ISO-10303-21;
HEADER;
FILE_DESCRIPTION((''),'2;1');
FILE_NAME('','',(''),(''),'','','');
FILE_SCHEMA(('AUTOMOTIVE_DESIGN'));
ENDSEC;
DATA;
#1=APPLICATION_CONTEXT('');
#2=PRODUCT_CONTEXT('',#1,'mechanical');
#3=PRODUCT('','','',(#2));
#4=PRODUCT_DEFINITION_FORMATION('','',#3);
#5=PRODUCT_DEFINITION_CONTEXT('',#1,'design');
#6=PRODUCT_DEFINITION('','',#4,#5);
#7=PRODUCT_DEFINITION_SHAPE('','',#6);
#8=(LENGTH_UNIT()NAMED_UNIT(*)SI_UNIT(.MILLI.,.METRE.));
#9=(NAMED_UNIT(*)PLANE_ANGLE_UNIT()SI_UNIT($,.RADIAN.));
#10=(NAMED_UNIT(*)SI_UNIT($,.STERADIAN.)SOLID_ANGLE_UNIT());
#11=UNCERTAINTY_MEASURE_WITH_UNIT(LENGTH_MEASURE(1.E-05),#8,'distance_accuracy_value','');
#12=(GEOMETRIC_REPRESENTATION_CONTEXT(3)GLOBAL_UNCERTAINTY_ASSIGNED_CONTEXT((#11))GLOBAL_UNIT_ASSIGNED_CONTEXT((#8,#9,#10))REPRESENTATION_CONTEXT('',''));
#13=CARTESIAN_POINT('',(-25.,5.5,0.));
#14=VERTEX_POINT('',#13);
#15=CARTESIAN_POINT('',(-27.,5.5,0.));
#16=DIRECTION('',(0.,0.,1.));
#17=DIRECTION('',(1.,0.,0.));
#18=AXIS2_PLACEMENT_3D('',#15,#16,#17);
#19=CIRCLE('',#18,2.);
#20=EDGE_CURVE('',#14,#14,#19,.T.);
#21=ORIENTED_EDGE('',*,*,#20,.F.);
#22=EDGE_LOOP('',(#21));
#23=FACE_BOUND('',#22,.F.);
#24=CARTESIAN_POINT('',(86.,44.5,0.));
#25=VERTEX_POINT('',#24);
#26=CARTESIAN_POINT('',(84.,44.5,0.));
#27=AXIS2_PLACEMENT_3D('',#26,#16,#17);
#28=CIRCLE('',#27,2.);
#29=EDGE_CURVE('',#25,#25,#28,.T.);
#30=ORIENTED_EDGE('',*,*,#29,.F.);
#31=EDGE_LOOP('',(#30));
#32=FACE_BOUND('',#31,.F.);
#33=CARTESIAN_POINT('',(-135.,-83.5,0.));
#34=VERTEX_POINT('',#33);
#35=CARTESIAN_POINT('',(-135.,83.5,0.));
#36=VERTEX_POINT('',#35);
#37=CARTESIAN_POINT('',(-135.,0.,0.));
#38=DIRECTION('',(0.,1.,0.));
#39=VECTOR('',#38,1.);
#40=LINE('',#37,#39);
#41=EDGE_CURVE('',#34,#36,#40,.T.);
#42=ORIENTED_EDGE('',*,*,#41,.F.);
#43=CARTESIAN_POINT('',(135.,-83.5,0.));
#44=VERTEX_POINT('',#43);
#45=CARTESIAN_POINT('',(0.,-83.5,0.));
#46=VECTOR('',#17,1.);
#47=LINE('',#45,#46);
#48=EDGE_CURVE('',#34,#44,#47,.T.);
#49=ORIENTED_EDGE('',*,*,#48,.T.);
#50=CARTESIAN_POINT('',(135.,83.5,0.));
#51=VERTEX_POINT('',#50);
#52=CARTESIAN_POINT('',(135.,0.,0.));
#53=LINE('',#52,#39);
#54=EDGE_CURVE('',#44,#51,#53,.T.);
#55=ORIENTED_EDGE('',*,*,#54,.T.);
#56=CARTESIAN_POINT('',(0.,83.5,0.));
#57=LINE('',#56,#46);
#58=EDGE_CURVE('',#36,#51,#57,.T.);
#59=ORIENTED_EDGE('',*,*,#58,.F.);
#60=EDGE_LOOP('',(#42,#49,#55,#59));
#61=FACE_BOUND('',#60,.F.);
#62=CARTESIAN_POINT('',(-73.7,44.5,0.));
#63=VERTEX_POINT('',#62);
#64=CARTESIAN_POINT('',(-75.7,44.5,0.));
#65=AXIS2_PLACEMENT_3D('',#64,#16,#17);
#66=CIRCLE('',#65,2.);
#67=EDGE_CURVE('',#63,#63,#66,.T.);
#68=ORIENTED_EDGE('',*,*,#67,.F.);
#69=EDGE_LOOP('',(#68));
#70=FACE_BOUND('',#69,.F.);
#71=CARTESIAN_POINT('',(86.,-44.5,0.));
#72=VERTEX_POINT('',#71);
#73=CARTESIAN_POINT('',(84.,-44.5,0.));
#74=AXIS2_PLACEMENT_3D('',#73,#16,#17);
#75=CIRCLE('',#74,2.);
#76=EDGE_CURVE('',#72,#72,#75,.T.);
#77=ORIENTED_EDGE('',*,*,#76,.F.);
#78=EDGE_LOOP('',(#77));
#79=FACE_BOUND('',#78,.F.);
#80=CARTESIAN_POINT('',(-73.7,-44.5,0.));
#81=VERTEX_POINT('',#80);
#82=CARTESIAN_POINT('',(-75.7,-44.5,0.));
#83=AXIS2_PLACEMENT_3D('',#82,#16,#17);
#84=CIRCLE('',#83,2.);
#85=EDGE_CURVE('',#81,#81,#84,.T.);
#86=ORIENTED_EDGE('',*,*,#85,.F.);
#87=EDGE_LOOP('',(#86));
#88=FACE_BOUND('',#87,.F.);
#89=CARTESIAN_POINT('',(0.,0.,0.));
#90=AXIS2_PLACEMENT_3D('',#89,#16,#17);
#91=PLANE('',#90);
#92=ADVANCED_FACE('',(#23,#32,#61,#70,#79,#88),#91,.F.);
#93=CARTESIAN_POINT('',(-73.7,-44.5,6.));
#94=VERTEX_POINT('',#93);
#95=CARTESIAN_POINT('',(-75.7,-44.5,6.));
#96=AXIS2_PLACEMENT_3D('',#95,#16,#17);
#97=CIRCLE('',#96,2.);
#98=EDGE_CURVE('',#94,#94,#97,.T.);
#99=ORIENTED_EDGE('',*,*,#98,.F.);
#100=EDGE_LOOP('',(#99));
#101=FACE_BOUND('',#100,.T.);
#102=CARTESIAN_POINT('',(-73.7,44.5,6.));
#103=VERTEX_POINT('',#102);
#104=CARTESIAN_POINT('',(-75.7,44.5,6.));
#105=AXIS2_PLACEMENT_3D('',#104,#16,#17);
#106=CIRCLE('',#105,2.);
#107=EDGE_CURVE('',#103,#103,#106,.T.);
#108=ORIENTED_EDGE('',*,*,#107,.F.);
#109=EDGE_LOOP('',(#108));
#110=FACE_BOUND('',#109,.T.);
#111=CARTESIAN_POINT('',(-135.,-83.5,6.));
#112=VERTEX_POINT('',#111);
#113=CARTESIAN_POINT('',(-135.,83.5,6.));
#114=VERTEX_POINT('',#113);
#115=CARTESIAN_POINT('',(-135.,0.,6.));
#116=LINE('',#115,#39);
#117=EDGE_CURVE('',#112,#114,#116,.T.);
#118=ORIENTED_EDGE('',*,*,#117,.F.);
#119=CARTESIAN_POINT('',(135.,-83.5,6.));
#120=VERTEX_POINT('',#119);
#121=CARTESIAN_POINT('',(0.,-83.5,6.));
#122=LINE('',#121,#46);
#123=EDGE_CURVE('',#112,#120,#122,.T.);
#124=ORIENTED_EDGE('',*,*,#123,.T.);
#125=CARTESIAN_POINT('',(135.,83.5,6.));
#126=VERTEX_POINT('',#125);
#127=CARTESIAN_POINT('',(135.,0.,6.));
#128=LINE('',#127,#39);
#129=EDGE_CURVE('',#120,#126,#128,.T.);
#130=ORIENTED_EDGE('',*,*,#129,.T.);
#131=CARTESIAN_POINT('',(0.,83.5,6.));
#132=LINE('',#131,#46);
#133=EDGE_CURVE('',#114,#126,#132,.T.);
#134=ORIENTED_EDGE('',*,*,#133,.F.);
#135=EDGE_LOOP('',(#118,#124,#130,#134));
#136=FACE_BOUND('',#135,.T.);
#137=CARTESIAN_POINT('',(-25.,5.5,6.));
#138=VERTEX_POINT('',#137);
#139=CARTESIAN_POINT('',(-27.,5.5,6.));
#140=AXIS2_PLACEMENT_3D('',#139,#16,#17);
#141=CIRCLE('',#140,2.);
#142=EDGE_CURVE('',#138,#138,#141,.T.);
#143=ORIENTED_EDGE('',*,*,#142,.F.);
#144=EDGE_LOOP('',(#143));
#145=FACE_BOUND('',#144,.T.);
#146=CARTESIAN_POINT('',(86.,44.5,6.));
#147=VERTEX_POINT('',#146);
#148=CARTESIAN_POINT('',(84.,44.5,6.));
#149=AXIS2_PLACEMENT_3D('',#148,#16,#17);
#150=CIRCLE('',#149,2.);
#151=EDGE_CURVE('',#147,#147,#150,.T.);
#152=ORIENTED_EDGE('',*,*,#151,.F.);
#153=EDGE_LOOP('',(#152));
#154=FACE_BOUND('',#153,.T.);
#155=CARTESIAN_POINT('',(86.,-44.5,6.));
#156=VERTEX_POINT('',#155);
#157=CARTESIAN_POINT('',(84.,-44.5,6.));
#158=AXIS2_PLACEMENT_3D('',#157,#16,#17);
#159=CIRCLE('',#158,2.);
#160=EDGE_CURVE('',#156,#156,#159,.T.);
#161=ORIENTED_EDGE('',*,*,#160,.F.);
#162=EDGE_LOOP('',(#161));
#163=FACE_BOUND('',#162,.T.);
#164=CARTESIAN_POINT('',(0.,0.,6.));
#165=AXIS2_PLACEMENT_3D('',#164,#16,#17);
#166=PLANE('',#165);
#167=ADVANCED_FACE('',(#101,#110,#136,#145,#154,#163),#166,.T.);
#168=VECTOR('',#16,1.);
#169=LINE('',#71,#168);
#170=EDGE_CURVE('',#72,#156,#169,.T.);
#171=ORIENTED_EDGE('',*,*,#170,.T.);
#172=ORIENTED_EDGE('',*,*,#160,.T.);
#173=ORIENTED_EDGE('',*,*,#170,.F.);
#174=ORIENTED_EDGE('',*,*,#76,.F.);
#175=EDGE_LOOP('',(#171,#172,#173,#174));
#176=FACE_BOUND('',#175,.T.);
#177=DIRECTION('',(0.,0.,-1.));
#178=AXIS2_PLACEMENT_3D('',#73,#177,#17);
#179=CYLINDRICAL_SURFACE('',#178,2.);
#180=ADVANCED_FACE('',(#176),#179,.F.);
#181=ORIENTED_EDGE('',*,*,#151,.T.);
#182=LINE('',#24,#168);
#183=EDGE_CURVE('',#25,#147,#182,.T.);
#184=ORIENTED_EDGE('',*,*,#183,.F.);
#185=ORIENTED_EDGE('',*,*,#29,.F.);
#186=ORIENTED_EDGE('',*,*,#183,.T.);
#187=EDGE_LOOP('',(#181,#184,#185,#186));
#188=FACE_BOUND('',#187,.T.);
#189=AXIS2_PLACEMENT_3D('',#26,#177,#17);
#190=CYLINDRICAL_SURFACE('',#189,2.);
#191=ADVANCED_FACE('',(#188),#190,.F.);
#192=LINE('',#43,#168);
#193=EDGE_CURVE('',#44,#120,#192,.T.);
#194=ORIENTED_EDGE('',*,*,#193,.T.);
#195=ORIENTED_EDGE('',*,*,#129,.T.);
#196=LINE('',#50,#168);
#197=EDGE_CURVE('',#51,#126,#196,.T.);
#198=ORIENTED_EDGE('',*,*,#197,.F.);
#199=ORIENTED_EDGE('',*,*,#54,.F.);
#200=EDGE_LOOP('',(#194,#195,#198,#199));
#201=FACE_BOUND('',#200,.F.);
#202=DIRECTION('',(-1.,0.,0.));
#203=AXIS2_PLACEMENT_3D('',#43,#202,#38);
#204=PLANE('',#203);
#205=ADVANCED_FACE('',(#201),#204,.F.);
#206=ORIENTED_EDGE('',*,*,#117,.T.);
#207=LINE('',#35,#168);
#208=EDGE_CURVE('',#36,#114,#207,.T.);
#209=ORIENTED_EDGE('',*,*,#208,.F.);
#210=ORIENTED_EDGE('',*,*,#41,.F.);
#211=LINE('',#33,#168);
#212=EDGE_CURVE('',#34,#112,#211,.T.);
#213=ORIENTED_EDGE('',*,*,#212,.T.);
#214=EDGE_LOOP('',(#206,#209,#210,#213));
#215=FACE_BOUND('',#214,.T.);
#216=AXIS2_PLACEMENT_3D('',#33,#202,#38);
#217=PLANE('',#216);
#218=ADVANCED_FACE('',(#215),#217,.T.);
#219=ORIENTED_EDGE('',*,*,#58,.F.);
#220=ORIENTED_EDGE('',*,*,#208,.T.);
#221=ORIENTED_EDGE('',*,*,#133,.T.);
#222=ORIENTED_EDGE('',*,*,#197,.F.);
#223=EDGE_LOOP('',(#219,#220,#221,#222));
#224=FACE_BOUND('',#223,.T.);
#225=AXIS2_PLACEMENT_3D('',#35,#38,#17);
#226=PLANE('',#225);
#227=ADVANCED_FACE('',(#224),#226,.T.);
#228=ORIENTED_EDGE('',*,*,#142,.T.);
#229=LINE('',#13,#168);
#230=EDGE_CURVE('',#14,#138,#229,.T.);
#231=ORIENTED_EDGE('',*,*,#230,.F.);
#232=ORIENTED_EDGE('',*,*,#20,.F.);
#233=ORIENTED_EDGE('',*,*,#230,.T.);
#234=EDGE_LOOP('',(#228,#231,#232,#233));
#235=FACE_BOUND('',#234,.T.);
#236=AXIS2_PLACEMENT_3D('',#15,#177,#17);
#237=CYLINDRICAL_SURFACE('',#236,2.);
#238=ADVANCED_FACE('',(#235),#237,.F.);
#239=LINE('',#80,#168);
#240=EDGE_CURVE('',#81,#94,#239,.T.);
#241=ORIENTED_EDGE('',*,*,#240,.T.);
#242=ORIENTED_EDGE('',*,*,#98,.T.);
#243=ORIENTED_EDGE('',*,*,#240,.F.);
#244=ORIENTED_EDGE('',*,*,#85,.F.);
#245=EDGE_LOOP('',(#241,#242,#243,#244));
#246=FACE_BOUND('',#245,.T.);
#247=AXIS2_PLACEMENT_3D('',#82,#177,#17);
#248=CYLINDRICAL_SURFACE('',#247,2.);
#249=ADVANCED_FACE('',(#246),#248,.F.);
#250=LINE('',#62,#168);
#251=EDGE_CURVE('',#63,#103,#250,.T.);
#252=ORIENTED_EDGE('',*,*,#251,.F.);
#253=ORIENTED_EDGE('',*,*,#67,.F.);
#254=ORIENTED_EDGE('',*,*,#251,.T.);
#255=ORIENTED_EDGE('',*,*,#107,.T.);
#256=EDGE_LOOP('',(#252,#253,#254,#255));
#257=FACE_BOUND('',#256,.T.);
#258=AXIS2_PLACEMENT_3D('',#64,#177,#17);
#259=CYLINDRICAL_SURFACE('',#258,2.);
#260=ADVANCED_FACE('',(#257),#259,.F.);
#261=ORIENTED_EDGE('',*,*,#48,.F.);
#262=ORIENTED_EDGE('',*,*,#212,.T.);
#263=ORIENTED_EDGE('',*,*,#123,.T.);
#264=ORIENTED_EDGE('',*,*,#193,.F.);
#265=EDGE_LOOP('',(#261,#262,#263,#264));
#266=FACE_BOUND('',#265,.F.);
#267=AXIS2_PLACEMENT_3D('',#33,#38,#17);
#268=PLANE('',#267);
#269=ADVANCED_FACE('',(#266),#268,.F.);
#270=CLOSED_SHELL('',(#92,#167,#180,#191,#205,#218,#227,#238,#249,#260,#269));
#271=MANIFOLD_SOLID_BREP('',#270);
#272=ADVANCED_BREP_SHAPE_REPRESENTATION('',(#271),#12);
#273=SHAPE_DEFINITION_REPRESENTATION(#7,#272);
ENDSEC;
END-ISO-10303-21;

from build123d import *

# Parameters (mm, degrees)
F0_W     = 270
F0_H     = 167
F0_R     = 2
F1_DEPTH = 6


with BuildPart() as f1:
    # F0 (on Top) → F1 (new body)
    with BuildSketch(Plane.XY):
        Rectangle(F0_W, F0_H)
        with Locations((-75.7, -44.5)):
            Circle(F0_R, mode=Mode.SUBTRACT)
        with Locations((84, -44.5)):
            Circle(F0_R, mode=Mode.SUBTRACT)
        with Locations((-27, 5.5)):
            Circle(F0_R, mode=Mode.SUBTRACT)
        with Locations((-75.7, 44.5)):
            Circle(F0_R, mode=Mode.SUBTRACT)
        with Locations((84, 44.5)):
            Circle(F0_R, mode=Mode.SUBTRACT)
    extrude(amount=F1_DEPTH)


solid = f1.part
